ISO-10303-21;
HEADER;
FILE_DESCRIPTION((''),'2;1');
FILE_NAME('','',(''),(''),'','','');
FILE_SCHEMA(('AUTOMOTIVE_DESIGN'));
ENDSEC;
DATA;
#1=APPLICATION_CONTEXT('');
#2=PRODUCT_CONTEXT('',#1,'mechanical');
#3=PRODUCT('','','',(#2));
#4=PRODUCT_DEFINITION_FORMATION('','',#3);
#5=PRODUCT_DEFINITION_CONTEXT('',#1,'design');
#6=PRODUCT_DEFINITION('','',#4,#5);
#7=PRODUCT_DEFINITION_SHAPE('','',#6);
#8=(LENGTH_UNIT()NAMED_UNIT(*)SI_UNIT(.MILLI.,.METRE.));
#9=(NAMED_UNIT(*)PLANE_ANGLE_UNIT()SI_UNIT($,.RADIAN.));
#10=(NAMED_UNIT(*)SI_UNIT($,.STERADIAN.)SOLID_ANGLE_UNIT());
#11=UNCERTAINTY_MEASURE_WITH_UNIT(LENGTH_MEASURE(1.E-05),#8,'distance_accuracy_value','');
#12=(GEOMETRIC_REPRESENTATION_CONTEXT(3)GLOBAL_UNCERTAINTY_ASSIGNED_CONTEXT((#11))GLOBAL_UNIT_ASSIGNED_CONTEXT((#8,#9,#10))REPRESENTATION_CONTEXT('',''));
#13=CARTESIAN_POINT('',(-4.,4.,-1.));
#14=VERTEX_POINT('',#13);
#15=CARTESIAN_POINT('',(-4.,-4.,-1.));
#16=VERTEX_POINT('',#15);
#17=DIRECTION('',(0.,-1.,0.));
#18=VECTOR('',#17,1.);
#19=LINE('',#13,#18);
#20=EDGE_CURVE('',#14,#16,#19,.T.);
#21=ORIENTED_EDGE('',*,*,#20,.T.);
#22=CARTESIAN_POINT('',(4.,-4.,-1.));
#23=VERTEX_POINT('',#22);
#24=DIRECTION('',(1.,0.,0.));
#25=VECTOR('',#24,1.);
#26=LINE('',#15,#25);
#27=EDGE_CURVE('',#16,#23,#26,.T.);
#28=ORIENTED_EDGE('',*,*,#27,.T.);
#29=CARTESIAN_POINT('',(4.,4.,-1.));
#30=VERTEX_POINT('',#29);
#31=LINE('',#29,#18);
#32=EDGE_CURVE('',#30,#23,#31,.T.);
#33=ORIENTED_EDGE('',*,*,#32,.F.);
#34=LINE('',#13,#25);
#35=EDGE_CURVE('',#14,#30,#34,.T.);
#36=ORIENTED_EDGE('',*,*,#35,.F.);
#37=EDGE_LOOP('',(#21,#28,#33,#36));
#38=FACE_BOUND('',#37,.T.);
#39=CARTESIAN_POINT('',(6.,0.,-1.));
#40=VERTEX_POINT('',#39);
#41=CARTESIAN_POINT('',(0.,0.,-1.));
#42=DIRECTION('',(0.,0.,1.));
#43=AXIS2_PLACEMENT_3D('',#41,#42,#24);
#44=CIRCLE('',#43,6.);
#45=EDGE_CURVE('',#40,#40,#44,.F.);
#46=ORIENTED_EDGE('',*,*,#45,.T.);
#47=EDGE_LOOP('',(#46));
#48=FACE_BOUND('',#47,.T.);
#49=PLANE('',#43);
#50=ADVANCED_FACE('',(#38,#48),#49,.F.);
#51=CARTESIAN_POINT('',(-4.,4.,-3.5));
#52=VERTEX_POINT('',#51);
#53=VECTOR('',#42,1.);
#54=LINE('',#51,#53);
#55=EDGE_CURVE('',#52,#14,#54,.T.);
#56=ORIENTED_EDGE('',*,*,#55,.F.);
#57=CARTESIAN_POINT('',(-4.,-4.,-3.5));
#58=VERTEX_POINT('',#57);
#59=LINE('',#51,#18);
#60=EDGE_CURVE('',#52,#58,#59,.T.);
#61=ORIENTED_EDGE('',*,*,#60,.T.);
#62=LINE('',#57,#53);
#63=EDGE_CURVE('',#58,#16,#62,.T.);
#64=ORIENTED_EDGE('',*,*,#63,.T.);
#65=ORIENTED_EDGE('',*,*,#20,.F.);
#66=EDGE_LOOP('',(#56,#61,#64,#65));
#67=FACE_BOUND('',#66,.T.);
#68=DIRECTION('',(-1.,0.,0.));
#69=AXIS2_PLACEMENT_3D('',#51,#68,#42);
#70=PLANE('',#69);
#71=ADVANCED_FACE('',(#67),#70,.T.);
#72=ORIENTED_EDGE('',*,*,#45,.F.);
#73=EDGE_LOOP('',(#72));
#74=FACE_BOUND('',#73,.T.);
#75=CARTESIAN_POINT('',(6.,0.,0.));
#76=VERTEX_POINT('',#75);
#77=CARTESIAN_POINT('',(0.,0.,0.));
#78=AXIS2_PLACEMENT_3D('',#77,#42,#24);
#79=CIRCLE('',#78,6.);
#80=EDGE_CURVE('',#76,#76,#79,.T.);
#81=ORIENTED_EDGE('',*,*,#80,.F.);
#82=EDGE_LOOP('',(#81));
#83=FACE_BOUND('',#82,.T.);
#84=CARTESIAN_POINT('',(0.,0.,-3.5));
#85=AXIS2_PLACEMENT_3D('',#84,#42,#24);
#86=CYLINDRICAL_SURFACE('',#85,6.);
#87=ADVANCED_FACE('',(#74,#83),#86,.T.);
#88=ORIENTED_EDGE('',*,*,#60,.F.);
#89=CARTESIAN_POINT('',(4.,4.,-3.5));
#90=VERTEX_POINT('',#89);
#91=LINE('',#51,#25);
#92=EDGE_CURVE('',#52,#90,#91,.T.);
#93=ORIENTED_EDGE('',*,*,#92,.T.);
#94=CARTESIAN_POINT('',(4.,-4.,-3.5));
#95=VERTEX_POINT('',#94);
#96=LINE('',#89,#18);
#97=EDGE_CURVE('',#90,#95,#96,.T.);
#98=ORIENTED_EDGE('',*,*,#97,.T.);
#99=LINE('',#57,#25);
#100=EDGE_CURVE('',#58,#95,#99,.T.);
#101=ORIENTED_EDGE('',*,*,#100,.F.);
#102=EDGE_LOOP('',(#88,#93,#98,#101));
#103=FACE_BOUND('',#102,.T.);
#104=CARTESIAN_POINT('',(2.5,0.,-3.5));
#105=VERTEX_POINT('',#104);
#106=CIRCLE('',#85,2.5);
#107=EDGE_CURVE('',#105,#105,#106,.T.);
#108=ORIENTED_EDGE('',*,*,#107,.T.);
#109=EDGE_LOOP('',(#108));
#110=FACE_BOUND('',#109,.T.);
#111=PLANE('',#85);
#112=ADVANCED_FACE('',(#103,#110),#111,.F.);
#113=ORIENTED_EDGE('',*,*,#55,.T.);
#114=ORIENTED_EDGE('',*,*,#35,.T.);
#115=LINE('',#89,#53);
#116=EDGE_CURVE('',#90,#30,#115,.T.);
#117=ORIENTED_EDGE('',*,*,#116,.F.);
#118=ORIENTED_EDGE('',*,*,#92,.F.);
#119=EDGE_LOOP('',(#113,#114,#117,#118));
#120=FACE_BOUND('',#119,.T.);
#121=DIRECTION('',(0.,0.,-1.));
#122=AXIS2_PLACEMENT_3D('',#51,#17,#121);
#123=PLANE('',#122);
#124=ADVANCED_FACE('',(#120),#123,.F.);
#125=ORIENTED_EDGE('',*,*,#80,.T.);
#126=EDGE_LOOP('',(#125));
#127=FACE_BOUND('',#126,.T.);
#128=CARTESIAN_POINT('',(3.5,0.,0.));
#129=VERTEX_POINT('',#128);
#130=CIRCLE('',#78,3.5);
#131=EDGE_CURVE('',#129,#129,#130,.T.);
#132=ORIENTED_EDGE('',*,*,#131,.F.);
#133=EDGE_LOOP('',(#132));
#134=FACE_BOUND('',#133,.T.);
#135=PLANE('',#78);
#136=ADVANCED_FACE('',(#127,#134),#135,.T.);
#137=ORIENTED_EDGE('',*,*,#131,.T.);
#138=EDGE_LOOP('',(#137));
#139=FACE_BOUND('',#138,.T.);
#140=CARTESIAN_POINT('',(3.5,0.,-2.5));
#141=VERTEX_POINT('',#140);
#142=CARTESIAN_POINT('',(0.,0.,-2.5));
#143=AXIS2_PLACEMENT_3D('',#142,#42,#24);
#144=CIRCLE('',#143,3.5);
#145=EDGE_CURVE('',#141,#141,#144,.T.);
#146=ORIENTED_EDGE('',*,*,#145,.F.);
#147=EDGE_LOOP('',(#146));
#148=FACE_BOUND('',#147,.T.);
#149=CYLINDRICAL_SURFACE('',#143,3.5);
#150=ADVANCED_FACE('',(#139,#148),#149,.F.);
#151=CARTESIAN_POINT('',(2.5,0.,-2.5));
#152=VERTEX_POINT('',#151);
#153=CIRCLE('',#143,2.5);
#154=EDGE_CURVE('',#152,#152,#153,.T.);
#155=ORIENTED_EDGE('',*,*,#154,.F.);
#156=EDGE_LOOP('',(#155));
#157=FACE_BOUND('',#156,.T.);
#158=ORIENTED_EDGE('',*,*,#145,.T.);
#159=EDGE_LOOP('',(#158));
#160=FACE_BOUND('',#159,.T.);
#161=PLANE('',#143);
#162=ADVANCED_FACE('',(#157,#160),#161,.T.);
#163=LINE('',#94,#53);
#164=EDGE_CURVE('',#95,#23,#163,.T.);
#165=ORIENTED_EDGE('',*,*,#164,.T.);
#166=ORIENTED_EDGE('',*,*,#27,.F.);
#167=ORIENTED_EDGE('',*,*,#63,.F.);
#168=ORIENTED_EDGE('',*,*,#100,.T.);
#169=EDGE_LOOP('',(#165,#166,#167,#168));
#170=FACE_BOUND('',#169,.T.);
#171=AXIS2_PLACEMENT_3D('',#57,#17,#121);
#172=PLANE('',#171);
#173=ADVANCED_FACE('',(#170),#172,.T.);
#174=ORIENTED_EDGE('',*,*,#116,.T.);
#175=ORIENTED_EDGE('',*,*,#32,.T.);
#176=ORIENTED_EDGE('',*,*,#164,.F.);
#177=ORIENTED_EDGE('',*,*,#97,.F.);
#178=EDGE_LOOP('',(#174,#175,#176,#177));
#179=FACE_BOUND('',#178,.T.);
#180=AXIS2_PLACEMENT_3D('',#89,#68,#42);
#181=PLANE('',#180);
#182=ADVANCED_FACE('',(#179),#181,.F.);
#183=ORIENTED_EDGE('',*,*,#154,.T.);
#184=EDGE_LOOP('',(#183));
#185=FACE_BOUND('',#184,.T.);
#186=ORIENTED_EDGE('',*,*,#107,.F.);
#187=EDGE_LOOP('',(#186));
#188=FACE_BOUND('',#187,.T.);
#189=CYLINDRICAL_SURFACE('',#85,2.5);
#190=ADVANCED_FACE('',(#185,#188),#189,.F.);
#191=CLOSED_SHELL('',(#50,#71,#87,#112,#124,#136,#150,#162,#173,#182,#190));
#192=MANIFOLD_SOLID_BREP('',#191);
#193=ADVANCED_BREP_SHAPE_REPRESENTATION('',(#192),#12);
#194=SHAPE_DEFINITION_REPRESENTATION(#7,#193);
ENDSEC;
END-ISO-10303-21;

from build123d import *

# Parameters (mm, degrees)
SKIZZE1_R                       = 6
AUFSATZ_LINEAR_AUSTRAGEN1_DEPTH = 3.5
SKIZZE1_3_R                     = 3.5
SCHNITT_LINEAR_AUSTRAGEN1_DEPTH = 2.5
SKIZZE1_4_R                     = 2.5
SCHNITT_LINEAR_AUSTRAGEN3_DEPTH = 4.5
SCHNITT_LINEAR_START            = -1
SKIZZE1_5_OUTSIDE_W             = 17.466
SKIZZE1_5_OUTSIDE_H             = 17.466
SKIZZE1_5_OUTSIDE_W_2           = 8
SKIZZE1_5_OUTSIDE_H_2           = 8
SCHNITT_LINEAR_AUSTRAGEN4_DEPTH = 3.5


with BuildPart() as part:
    # Skizze1 → Aufsatz-Linear austragen1 (new body)
    with BuildSketch(Plane.XY):
        Circle(SKIZZE1_R)
    extrude(amount=-AUFSATZ_LINEAR_AUSTRAGEN1_DEPTH)

    # Skizze1<3> → Schnitt-Linear austragen1 (cut)
    with BuildSketch(Plane.XY):
        Circle(SKIZZE1_3_R)
    extrude(amount=-SCHNITT_LINEAR_AUSTRAGEN1_DEPTH, mode=Mode.SUBTRACT)

    # Skizze1<4> → Schnitt-Linear austragen3 (cut, through all)
    with BuildSketch(Plane.XY):
        Circle(SKIZZE1_4_R)
    extrude(amount=-SCHNITT_LINEAR_AUSTRAGEN3_DEPTH, mode=Mode.SUBTRACT)

    # Skizze1<5> outside → Schnitt-Linear austragen4 (cut, through all)
    with BuildSketch(Plane.XY.offset(SCHNITT_LINEAR_START)):
        Rectangle(SKIZZE1_5_OUTSIDE_W, SKIZZE1_5_OUTSIDE_H)
        Rectangle(SKIZZE1_5_OUTSIDE_W_2, SKIZZE1_5_OUTSIDE_H_2, mode=Mode.SUBTRACT)
    extrude(amount=-SCHNITT_LINEAR_AUSTRAGEN4_DEPTH, mode=Mode.SUBTRACT)


solid = part.part
